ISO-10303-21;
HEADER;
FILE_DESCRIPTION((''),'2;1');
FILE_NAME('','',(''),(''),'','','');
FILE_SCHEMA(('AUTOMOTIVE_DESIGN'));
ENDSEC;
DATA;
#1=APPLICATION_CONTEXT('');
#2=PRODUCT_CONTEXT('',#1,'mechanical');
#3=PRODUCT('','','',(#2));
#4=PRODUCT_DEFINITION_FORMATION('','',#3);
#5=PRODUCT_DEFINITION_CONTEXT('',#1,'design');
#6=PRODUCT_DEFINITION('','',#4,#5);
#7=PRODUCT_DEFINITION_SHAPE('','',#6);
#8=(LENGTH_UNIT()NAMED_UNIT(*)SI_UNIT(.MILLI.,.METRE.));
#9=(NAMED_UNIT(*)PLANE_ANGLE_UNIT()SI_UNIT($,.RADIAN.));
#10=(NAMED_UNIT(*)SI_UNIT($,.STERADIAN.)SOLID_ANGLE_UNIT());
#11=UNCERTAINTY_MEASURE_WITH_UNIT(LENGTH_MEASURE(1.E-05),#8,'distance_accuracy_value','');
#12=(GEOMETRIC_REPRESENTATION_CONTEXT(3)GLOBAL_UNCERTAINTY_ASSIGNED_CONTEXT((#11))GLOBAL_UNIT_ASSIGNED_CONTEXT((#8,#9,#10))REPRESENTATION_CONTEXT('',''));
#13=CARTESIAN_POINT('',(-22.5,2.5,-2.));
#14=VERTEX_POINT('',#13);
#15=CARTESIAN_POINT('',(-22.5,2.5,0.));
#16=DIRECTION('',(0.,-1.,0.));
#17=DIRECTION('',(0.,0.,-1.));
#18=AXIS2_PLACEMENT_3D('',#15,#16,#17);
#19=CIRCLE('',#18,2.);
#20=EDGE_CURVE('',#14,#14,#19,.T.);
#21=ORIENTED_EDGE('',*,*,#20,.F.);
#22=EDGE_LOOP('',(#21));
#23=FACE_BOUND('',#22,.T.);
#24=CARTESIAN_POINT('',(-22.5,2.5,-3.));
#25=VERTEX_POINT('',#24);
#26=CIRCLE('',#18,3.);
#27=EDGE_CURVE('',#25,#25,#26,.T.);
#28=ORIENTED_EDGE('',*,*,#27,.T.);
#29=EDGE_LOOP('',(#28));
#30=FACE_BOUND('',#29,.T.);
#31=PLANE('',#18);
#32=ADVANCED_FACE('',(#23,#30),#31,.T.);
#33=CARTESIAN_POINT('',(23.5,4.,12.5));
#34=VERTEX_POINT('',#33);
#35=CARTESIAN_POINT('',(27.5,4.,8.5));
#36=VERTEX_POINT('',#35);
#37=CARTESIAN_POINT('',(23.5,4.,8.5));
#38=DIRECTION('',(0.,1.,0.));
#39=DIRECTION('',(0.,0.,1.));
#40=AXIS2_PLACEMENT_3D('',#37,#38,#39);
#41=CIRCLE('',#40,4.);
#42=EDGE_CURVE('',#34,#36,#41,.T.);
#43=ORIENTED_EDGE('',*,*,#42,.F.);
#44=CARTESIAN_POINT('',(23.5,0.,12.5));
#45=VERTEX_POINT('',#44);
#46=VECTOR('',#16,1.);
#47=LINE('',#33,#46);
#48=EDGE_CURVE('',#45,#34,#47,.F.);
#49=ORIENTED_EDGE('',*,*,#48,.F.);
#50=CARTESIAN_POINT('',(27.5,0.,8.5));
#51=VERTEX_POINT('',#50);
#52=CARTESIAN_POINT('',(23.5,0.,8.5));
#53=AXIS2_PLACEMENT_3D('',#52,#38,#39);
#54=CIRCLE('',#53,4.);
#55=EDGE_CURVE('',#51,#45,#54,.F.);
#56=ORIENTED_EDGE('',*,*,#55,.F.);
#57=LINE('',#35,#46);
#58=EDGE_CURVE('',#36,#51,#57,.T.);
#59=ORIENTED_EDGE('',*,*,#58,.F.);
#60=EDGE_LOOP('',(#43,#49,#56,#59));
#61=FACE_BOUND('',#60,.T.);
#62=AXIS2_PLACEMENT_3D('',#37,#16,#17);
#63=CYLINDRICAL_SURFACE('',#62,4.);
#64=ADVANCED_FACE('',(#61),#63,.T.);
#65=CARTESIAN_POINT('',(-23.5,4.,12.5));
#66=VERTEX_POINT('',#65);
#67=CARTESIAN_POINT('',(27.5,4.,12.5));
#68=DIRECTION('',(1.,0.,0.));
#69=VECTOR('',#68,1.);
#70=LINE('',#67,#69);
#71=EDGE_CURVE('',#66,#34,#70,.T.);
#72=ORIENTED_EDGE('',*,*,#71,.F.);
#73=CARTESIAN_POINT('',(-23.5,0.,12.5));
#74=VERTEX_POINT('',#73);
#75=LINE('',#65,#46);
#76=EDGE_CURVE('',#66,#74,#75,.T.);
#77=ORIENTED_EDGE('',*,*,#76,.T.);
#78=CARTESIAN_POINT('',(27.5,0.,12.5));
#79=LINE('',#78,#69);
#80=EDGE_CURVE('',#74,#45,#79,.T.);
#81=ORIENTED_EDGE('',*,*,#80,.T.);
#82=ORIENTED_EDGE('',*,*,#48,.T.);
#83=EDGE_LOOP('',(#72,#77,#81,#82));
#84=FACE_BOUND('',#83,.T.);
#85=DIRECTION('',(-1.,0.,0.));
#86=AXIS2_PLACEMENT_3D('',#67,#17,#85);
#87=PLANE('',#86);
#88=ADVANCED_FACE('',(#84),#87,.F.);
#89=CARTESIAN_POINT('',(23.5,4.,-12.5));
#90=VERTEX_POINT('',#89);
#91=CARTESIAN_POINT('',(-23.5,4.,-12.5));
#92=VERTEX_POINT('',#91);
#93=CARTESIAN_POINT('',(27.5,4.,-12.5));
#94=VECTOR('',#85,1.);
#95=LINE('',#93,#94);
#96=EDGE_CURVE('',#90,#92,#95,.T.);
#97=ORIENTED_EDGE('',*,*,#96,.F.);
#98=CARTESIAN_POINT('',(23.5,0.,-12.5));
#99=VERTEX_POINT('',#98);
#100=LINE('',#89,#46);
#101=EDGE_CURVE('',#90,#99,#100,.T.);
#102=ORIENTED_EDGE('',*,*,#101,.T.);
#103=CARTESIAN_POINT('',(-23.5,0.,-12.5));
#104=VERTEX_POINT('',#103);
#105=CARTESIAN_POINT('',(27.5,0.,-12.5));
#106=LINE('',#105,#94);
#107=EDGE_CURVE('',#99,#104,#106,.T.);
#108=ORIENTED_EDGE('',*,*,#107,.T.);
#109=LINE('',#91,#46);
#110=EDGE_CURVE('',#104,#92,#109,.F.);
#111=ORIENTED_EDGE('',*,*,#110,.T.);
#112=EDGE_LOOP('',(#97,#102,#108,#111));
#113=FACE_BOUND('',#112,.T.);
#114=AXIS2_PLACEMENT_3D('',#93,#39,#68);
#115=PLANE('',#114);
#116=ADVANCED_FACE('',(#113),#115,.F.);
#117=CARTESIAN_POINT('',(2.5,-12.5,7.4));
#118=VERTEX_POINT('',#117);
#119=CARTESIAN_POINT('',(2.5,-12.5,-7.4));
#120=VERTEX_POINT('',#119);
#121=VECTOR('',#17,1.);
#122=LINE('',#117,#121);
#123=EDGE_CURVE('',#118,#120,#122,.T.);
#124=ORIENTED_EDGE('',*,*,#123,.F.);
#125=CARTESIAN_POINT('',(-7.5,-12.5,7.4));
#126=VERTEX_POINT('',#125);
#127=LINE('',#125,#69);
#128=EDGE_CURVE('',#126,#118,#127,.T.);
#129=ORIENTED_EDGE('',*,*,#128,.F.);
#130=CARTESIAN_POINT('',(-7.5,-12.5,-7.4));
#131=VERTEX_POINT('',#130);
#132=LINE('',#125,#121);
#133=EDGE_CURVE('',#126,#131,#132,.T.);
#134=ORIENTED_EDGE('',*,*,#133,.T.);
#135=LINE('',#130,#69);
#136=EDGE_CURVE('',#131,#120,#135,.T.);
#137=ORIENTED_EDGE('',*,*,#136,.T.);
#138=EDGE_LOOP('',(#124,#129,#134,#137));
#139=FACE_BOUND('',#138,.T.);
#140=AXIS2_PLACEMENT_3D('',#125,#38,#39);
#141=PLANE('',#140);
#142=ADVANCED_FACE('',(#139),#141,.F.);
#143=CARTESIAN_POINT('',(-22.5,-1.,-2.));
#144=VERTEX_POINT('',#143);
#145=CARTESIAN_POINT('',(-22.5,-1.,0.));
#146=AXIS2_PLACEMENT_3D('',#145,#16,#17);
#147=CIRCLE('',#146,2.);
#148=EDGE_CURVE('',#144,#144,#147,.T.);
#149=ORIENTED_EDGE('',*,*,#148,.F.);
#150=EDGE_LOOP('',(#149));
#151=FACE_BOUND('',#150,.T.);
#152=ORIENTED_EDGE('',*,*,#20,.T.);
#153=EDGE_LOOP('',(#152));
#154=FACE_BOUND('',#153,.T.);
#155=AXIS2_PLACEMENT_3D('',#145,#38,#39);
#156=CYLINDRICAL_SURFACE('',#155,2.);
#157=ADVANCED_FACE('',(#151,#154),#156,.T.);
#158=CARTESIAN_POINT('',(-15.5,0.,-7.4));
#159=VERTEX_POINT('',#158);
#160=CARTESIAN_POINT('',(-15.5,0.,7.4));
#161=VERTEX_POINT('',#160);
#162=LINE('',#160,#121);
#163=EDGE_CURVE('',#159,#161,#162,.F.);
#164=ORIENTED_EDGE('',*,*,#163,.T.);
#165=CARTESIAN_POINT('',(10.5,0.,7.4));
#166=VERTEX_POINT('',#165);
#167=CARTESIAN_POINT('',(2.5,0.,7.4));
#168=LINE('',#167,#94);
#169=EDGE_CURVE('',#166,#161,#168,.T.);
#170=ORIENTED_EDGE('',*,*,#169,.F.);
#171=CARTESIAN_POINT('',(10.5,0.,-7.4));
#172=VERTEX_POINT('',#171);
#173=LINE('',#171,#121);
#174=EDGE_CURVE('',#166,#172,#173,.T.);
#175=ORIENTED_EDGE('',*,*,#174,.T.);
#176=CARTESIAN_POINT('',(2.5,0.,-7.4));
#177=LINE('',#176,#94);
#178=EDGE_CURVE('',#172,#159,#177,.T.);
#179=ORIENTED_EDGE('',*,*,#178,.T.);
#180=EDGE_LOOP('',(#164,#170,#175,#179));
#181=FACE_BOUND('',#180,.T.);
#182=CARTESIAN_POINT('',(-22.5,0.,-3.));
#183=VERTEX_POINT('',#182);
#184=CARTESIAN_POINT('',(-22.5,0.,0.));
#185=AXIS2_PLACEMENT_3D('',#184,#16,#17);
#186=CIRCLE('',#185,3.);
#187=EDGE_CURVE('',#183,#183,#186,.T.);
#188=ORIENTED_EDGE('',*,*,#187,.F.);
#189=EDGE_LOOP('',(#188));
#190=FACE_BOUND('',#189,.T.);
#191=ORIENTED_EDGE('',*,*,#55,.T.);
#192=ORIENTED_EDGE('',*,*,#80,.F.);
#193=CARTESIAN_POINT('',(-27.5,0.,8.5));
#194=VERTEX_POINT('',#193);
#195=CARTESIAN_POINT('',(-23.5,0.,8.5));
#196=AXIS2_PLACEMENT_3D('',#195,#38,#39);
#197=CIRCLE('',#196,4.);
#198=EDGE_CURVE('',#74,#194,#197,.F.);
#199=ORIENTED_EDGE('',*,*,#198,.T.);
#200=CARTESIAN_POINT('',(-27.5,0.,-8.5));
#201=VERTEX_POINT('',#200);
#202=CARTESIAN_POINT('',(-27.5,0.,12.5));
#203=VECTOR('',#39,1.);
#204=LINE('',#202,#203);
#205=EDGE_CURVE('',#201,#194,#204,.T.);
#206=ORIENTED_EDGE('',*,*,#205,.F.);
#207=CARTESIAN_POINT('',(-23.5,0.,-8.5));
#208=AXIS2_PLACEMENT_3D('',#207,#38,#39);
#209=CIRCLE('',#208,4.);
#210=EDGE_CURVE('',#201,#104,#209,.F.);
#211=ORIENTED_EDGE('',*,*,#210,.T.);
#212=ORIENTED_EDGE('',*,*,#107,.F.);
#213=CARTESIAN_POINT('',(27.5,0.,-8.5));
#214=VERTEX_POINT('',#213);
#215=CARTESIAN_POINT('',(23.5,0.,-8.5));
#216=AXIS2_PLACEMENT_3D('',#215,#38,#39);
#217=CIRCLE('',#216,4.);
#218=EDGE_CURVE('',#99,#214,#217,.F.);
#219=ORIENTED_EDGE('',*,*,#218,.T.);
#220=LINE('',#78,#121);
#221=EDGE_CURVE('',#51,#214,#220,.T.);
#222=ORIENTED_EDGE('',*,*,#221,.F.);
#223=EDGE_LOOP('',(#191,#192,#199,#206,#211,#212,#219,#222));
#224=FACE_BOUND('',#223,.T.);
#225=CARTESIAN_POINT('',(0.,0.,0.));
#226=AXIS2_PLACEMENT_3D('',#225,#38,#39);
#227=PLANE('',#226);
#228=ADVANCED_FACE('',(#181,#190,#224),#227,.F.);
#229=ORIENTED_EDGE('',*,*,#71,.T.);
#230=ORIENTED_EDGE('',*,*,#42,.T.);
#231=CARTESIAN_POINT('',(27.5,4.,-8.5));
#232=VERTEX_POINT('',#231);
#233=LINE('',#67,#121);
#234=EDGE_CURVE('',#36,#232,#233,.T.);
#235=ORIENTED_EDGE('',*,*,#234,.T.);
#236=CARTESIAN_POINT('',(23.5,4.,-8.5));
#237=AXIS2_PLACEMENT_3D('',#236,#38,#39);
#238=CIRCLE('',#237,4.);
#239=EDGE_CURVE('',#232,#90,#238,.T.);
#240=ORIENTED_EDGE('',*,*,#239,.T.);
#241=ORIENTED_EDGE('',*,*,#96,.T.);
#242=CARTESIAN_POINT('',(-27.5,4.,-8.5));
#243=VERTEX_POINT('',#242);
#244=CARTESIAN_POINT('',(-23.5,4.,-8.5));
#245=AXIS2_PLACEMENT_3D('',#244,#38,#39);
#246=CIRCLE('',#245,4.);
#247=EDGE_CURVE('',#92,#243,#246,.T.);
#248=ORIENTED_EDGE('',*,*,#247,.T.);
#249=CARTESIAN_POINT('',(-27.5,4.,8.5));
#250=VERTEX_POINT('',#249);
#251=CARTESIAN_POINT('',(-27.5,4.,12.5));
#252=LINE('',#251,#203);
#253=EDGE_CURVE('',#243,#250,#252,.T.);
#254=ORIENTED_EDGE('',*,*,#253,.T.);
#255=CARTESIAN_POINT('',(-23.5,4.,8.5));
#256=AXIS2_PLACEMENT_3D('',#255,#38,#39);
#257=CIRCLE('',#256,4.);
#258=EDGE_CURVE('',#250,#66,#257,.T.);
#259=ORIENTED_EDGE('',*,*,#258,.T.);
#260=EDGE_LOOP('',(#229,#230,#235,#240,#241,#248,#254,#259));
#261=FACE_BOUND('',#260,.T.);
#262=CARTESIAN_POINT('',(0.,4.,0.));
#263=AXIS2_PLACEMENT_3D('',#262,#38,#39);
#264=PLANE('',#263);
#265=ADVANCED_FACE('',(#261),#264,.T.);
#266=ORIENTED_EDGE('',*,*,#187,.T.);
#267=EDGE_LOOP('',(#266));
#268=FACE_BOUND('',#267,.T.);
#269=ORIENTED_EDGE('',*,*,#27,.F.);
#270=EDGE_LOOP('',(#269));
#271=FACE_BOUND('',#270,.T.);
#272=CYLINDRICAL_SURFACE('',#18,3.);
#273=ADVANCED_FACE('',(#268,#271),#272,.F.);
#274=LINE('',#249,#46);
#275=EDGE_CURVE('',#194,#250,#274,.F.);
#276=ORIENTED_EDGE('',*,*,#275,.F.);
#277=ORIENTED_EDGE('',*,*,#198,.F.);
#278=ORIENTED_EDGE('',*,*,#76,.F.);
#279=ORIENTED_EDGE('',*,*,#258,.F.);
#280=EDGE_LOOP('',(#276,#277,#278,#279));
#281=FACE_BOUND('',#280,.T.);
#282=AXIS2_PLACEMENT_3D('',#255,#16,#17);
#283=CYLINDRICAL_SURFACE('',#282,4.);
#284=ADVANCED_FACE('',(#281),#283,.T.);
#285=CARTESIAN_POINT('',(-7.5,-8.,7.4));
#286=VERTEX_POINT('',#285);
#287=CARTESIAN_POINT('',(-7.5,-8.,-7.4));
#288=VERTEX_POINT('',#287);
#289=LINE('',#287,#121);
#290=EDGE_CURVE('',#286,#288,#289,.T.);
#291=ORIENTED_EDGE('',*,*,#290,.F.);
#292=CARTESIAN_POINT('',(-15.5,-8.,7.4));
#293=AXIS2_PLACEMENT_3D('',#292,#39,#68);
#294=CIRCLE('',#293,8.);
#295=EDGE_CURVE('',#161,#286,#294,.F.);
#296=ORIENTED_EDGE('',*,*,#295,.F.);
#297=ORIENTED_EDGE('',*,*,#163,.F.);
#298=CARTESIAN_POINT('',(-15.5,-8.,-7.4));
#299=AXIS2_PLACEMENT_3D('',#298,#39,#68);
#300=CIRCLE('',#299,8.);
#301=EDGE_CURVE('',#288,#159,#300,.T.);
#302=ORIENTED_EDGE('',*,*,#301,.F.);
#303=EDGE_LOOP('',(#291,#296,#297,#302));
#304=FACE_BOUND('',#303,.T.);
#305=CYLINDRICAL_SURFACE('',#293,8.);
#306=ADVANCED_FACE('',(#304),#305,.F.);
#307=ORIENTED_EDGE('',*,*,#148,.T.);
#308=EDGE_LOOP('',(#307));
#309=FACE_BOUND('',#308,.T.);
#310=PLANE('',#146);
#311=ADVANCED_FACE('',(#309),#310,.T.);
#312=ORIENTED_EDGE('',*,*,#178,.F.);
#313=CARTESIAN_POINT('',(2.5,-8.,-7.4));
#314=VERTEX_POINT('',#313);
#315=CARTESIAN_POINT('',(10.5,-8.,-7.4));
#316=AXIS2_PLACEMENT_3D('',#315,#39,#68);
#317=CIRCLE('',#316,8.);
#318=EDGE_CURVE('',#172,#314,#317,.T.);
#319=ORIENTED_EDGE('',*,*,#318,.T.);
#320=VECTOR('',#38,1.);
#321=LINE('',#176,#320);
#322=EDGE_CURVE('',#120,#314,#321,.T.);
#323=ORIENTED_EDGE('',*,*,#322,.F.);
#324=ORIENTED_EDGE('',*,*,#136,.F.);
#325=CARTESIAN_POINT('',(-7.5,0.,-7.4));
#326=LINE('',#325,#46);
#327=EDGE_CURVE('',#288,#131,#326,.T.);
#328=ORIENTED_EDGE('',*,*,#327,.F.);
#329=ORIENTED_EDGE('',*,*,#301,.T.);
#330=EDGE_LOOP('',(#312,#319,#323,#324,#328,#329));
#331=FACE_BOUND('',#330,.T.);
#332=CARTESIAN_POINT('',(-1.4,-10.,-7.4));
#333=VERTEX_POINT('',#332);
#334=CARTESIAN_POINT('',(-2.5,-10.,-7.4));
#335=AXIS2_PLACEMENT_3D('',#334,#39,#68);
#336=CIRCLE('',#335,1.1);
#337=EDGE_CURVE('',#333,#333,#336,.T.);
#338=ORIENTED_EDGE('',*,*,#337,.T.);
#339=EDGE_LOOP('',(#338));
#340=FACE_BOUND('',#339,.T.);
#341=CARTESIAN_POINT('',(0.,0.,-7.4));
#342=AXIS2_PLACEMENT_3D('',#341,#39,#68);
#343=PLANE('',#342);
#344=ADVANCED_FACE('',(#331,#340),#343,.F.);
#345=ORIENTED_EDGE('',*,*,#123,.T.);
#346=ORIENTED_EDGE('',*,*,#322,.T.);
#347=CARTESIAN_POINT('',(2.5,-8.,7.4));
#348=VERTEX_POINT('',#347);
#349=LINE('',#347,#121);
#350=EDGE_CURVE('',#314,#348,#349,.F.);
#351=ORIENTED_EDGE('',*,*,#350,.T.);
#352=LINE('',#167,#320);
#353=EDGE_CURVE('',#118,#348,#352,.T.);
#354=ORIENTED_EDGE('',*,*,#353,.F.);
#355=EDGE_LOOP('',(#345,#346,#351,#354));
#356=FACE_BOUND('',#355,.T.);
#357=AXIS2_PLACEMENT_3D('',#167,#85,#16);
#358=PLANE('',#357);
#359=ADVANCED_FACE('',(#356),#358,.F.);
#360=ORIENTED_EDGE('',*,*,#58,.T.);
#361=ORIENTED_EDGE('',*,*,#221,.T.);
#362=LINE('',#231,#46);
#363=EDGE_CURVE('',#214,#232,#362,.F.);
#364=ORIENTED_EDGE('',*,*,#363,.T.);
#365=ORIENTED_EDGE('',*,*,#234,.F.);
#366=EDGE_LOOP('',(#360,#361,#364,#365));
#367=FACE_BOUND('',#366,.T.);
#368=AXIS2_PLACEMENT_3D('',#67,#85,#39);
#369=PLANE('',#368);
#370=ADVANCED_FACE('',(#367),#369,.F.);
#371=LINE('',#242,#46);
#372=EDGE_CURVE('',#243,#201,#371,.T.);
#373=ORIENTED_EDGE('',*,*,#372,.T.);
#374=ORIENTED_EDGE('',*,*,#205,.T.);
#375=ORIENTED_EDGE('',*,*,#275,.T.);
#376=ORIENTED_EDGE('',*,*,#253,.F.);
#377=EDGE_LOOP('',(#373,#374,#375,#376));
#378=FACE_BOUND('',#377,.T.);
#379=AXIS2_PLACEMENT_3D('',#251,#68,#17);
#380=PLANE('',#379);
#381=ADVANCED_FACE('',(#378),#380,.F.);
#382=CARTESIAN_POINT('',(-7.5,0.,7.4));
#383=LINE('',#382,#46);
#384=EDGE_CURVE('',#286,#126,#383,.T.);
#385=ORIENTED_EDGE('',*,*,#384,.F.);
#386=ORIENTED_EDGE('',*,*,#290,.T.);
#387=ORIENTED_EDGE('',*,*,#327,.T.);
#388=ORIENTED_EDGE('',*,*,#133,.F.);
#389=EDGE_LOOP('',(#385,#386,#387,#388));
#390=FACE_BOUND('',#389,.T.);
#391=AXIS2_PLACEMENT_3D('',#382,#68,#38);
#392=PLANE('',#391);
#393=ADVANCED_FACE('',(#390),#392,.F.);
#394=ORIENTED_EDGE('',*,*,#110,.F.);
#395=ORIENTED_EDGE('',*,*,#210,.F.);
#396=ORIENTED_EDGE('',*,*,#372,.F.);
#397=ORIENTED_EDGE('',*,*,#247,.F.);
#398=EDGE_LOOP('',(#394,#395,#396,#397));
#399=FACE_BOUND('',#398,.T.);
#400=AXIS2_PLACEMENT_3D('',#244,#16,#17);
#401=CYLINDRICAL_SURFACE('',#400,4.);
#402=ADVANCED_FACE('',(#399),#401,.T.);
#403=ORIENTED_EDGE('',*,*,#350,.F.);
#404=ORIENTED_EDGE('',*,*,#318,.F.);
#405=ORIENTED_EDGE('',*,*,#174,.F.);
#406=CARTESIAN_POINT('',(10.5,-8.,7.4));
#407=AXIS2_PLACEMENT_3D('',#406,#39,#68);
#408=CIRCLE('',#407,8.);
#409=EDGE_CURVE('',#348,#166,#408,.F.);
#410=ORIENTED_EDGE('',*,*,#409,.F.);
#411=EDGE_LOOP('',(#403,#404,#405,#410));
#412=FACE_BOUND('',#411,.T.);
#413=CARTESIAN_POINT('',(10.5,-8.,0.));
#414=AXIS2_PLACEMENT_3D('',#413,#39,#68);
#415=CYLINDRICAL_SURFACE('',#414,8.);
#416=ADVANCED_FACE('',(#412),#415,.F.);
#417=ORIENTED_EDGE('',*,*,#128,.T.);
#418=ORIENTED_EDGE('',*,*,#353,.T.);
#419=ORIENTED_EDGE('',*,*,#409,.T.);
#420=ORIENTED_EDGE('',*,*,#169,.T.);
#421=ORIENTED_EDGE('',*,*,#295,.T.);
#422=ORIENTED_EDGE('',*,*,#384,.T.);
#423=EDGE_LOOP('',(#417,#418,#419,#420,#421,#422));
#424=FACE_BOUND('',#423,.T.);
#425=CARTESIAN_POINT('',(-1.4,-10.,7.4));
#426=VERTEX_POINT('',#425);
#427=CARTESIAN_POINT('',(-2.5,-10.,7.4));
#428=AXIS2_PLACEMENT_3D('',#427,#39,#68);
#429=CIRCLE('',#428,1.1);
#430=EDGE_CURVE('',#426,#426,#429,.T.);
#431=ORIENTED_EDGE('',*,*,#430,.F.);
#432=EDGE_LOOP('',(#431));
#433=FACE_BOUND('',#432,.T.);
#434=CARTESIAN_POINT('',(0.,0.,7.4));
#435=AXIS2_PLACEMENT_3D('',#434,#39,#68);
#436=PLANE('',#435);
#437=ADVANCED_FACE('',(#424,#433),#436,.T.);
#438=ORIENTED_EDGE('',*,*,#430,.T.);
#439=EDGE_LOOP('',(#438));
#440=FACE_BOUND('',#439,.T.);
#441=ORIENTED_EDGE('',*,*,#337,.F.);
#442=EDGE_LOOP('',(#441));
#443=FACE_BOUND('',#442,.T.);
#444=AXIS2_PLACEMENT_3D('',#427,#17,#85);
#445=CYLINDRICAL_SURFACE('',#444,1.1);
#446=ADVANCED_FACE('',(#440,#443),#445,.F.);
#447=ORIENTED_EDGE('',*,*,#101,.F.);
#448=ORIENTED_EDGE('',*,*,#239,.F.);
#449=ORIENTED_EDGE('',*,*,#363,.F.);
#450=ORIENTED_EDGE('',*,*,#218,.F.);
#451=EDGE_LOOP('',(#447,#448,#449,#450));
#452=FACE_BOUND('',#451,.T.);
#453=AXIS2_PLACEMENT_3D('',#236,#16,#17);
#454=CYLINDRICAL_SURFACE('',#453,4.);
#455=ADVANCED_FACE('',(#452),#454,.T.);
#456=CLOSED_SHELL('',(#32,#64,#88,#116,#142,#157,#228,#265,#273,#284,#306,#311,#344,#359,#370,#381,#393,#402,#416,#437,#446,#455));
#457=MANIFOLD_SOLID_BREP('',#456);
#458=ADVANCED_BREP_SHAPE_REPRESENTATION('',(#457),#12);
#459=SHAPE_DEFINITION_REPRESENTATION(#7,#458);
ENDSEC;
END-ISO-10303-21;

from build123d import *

# Parameters (mm, degrees)
SKETCH_1_W          = 55
SKETCH_1_H          = 25
EXTRUDE_1_DEPTH     = 4
SKETCH_2_R          = 3
CUT_EXTRUDE_1_DEPTH = 2.5
SKETCH_3_R          = 2
EXTRUDE_2_DEPTH     = 3.5
SKETCH_5_W          = 10
SKETCH_5_H          = 12.5
SKETCH_5_R          = 1.1
EXTRUDE_3_DEPTH     = 7.4
FILLET_1_R          = 8
FILLET_2_R          = 4


with BuildPart() as part:
    # 草图1 → 凸台-拉伸1 (new body)
    with BuildSketch(Plane(origin=(0, 0, 0), x_dir=(1, 0, 0), z_dir=(0, 1, 0))):
        Rectangle(SKETCH_1_W, SKETCH_1_H)
    extrude(amount=EXTRUDE_1_DEPTH)

    # 草图2 → 切除-拉伸1 (cut)
    with BuildSketch(Plane.XZ):
        with Locations(Location((-22.5, 0, 0), (0, 0, 270))):
            Circle(SKETCH_2_R)
    extrude(amount=-CUT_EXTRUDE_1_DEPTH, mode=Mode.SUBTRACT)

    # 草图3 → 凸台-拉伸2 (add)
    with BuildSketch(Plane.XZ.offset(-2.5)):
        with Locations(Location((-22.5, 0, 0), (0, 0, 270))):
            Circle(SKETCH_3_R)
    extrude(amount=EXTRUDE_2_DEPTH)

    # 草图5 → 凸台-拉伸3 (add, symmetric)
    with BuildSketch(Plane.XY):
        with Locations((-2.5, -6.25)):
            Rectangle(SKETCH_5_W, SKETCH_5_H)
        with Locations((-2.5, -10)):
            Circle(SKETCH_5_R, mode=Mode.SUBTRACT)
    extrude(amount=EXTRUDE_3_DEPTH, both=True)

    # 圆角1
    fillet_1_edges = [part.edges().sort_by_distance(p)[0] for p in [
        (2.5, 0, 0),
        (-7.5, 0, 0),
    ]]
    fillet(fillet_1_edges, radius=FILLET_1_R)

    # 圆角2
    fillet_2_edges = [part.edges().sort_by_distance(p)[0] for p in [
        (-27.5, 2, -12.5),
        (27.5, 2, -12.5),
        (27.5, 2, 12.5),
        (-27.5, 2, 12.5),
    ]]
    fillet(fillet_2_edges, radius=FILLET_2_R)


solid = part.part
